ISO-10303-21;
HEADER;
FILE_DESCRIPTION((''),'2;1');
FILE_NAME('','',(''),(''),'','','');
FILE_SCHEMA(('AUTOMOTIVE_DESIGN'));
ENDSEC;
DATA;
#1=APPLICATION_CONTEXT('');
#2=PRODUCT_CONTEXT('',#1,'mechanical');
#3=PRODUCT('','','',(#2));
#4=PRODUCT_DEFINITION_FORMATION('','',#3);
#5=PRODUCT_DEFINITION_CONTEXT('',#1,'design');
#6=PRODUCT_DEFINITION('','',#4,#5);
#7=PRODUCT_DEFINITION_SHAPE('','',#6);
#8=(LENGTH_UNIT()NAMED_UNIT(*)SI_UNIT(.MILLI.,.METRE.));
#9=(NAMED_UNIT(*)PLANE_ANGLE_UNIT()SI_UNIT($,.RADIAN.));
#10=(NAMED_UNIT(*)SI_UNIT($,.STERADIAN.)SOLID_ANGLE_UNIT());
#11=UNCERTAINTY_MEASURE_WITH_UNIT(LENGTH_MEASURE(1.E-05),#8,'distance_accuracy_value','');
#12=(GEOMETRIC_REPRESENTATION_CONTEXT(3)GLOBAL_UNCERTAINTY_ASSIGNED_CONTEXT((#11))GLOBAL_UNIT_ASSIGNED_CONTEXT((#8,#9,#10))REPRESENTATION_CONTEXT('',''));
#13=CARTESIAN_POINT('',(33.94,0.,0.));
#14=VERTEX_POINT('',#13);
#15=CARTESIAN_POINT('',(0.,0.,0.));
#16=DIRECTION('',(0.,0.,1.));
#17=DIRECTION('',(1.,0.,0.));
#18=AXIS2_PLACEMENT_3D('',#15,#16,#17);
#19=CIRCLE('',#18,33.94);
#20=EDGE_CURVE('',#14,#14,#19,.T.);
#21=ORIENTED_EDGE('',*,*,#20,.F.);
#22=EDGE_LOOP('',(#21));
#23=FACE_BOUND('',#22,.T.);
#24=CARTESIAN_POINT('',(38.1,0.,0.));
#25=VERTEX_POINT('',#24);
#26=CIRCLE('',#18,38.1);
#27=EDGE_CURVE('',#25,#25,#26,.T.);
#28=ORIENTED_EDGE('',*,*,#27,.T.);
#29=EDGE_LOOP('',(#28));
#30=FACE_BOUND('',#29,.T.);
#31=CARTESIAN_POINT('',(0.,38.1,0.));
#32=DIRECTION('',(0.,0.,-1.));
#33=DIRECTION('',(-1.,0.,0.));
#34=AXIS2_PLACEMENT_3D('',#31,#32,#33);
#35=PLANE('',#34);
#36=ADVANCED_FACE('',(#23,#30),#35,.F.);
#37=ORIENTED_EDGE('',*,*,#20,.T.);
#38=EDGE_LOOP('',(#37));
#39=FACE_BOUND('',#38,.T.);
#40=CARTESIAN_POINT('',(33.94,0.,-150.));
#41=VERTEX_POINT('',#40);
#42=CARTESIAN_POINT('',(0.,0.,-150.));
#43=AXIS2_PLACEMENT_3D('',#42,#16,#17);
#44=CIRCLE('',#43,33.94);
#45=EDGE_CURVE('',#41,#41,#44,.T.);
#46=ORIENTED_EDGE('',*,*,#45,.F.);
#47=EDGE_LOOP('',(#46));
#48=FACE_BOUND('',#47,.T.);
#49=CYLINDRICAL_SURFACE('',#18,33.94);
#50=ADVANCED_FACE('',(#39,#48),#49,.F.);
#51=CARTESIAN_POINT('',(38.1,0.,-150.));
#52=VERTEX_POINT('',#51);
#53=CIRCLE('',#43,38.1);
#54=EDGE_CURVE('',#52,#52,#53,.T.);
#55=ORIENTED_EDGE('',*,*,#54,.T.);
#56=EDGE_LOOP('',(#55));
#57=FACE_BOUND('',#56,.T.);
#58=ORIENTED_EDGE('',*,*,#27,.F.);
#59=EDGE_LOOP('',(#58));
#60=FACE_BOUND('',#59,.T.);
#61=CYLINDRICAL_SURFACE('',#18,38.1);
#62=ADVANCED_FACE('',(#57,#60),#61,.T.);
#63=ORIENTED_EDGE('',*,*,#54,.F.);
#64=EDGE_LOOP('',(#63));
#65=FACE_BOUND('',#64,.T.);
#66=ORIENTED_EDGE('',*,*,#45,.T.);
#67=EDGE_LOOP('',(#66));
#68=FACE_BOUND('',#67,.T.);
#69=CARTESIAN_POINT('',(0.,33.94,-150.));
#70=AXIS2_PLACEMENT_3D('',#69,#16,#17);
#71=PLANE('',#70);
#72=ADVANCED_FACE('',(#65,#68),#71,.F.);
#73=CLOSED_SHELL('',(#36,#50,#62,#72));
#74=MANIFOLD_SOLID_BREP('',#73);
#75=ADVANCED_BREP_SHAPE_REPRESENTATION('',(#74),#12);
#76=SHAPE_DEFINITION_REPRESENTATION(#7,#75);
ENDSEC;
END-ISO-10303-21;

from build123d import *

# Parameters (mm, degrees)
ESBO_O2_W = 150
ESBO_O2_H = 4.16


with BuildPart() as part:
    # Esboço2 → Revolução1 (revolve)
    with BuildSketch(Plane(origin=(0, 0, 0), x_dir=(0, 0, -1), z_dir=(1, 0, 0)), mode=Mode.PRIVATE) as revolu_o1_sk:
        with Locations((75, 36.02)):
            Rectangle(ESBO_O2_W, ESBO_O2_H)
    revolve(revolu_o1_sk.sketch.rotate(Axis((0, 0, 0), (0, 0, -1)), 90), axis=Axis((0, 0, 0), (0, 0, -1)))


solid = part.part
